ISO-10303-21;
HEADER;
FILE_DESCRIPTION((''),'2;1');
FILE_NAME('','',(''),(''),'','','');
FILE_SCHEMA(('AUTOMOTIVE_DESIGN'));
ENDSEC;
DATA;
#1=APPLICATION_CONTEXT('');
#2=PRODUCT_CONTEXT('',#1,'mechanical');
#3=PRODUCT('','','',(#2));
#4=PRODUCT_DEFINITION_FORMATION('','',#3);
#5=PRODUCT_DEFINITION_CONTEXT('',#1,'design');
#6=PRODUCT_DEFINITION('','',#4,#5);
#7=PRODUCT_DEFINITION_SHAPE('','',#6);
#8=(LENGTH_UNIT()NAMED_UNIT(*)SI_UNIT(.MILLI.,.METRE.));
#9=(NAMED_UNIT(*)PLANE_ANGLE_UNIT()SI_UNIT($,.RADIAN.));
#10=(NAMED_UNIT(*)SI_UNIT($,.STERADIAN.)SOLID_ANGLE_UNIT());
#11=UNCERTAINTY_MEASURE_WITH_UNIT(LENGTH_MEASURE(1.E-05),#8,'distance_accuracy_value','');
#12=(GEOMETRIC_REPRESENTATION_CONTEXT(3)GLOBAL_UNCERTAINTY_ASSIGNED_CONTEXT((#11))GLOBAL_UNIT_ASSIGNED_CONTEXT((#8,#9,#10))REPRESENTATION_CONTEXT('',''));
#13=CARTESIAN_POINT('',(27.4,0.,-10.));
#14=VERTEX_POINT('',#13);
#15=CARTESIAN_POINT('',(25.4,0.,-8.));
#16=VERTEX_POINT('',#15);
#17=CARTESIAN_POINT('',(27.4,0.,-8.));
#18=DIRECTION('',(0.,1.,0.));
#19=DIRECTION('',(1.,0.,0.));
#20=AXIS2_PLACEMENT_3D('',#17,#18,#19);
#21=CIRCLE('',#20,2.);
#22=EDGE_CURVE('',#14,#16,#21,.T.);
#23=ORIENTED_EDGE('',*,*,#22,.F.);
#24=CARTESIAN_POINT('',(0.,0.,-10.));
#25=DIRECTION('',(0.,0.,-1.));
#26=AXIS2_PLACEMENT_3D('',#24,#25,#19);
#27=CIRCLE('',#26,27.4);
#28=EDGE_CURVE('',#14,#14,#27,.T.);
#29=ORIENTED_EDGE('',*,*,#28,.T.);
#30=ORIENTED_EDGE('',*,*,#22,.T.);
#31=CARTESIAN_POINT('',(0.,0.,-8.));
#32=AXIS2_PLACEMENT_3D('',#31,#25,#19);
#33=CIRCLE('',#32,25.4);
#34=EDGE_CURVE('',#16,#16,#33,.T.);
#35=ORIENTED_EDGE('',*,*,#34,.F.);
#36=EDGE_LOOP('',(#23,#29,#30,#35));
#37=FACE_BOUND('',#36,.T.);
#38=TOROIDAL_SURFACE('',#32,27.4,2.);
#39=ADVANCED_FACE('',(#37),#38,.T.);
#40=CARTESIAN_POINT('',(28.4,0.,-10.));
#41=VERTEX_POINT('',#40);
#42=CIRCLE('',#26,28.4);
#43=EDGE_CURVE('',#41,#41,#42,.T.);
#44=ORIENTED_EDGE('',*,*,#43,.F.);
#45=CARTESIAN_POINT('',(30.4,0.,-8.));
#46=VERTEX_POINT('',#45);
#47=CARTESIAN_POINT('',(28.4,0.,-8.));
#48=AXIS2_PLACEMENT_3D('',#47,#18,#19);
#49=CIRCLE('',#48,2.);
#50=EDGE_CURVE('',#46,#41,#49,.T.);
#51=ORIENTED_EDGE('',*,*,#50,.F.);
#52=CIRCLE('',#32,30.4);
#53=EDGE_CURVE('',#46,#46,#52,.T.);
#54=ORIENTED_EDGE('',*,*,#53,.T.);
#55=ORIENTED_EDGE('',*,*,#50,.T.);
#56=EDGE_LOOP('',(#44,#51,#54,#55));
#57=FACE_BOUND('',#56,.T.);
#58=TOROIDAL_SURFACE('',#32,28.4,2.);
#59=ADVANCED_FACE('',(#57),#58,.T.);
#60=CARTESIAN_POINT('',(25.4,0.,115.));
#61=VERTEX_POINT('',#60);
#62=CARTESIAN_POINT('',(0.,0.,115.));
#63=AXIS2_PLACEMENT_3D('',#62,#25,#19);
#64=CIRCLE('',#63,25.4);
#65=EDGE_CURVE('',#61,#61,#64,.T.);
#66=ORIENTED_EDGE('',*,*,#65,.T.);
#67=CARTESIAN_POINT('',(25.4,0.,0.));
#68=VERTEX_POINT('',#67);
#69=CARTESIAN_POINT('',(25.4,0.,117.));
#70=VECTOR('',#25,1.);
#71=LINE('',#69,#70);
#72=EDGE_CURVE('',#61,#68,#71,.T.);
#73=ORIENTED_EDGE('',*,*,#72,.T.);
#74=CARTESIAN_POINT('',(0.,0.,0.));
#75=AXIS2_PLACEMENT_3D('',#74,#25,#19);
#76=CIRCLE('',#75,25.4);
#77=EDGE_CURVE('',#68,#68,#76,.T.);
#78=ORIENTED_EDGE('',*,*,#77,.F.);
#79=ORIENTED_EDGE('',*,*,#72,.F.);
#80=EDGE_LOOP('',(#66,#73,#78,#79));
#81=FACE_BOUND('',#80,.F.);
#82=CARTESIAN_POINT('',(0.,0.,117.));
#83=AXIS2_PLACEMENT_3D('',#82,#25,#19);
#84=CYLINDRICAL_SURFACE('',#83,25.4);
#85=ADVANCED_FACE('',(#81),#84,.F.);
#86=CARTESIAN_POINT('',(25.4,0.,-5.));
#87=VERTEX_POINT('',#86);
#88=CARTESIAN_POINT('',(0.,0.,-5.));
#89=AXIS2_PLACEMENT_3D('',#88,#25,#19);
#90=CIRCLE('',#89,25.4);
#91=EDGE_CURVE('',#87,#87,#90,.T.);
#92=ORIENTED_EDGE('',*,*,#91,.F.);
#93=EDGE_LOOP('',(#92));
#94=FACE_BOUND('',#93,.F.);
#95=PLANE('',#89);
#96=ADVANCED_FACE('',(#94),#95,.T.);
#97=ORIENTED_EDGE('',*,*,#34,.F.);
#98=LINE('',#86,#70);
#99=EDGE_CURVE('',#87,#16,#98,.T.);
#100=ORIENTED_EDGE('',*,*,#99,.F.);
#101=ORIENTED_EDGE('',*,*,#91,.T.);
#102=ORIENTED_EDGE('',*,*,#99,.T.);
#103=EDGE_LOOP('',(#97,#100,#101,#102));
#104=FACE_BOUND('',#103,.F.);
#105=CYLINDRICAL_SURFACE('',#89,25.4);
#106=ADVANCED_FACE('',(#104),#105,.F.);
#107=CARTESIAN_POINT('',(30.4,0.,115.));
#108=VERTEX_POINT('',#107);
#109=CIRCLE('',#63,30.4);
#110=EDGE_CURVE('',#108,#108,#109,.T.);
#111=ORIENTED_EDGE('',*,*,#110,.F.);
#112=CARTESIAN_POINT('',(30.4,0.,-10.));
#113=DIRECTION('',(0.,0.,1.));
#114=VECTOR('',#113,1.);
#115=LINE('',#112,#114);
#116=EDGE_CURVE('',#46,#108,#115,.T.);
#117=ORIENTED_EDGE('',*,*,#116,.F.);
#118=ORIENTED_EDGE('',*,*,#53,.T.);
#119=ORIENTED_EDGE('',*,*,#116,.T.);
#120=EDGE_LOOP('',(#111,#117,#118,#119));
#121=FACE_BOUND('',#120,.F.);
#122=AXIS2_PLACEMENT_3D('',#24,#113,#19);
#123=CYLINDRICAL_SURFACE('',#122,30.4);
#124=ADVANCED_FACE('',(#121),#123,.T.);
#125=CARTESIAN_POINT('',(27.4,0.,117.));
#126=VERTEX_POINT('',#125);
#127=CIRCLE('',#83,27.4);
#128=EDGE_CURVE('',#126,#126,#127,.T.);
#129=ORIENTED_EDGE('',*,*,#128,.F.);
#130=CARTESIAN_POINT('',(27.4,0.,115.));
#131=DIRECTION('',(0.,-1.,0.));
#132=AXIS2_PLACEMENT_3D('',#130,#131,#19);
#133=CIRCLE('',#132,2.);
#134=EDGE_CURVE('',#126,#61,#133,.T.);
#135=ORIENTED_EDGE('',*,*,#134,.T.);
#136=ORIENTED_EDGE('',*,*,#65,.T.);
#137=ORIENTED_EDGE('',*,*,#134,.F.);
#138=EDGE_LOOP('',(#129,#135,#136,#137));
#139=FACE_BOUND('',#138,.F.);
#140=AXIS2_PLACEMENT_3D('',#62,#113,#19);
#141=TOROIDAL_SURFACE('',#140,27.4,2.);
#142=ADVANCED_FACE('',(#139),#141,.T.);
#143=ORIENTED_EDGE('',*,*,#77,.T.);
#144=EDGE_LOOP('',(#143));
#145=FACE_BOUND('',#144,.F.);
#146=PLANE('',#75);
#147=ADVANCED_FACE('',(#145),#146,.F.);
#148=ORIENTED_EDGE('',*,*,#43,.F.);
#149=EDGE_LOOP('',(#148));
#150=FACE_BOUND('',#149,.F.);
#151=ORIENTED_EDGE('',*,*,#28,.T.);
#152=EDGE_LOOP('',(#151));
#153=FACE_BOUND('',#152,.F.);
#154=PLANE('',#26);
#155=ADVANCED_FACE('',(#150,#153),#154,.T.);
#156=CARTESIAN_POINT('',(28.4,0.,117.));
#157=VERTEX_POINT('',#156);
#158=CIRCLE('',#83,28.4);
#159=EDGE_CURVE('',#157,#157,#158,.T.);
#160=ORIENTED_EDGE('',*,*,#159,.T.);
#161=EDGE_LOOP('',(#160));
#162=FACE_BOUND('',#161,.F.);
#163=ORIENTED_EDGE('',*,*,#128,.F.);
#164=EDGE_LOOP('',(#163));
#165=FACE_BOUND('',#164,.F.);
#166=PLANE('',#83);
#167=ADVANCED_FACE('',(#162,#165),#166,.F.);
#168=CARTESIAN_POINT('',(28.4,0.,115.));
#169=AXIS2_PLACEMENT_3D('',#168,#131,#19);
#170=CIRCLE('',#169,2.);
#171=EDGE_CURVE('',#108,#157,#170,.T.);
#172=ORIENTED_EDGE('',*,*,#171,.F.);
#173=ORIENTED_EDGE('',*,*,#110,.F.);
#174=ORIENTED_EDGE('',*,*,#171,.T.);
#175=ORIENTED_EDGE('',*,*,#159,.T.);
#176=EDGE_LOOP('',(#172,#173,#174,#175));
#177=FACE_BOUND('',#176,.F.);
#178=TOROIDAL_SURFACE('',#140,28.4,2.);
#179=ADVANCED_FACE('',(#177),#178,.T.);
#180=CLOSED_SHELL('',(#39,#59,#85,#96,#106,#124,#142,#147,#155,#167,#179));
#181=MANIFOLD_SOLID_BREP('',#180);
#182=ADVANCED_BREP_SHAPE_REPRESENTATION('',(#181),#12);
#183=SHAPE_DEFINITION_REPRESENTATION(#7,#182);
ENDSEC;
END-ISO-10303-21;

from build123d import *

# Parameters (mm, degrees)
F3_R = 2
F4_R = 2


with BuildPart() as f2:
    # F1 (on Front) → F2 (revolve)
    with BuildSketch(Plane.XZ):
        Polygon((25.4, 0), (0, 0), (0, -5), (25.4, -5), (25.4, -10), (30.4, -10), (30.4, 117), (25.4, 117), align=None)
    revolve(axis=Axis((0, 0, 13.367524), (0, 0, -1)))

    # F3
    f3_edges = [f2.edges().sort_by_distance(p)[0] for p in [
        (-30.4, 0, 117),
        (-25.4, 0, 117),
    ]]
    fillet(f3_edges, radius=F3_R)

    # F4
    f4_edges = [f2.edges().sort_by_distance(p)[0] for p in [
        (-25.4, 0, -10),
        (-30.4, 0, -10),
    ]]
    fillet(f4_edges, radius=F4_R)


solid = f2.part
